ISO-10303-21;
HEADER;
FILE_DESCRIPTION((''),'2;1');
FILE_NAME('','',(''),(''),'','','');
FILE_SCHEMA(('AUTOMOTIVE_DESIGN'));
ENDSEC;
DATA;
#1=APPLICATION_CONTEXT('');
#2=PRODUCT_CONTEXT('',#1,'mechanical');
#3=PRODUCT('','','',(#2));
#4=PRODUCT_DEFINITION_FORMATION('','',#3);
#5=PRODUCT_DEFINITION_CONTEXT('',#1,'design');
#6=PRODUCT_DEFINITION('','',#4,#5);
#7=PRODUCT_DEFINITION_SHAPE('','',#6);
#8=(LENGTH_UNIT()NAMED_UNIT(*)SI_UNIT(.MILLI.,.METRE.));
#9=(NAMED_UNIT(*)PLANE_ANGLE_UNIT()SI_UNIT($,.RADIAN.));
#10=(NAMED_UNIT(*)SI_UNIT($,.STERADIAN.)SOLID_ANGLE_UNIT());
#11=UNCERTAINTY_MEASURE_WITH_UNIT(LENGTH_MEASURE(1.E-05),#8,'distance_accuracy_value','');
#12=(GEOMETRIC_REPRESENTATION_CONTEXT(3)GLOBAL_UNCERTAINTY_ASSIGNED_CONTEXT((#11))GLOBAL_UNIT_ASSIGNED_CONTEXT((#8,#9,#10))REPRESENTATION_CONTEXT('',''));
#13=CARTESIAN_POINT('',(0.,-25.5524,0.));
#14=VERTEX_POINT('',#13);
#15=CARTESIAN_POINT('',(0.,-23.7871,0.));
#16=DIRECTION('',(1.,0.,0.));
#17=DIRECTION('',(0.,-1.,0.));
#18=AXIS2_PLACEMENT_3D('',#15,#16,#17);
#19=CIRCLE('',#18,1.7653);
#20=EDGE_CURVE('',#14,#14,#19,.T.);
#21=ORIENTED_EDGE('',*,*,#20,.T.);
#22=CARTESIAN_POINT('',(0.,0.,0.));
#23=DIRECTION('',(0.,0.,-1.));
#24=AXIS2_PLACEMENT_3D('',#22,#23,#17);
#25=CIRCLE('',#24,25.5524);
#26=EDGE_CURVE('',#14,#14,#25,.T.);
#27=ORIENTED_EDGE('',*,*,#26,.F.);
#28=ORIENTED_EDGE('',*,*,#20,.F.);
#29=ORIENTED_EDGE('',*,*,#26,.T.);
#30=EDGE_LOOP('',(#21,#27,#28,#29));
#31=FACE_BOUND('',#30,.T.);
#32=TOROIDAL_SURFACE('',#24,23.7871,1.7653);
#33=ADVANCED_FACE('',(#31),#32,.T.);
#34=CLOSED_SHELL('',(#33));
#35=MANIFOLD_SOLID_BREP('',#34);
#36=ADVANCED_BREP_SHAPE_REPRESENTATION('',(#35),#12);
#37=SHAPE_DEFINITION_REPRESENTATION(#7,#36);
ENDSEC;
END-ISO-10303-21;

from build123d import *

# Parameters (mm, degrees)
SKETCH1_R = 1.7653


with BuildPart() as part:
    # Sketch1 → Revolve1 (revolve)
    with BuildSketch(Plane(origin=(0, 0, 0), x_dir=(0, -1, 0), z_dir=(1, 0, 0))):
        with Locations((23.7871, 0)):
            Circle(SKETCH1_R)
    revolve(axis=Axis((0, 0, 1.7653), (0, 0, -1)))


solid = part.part
